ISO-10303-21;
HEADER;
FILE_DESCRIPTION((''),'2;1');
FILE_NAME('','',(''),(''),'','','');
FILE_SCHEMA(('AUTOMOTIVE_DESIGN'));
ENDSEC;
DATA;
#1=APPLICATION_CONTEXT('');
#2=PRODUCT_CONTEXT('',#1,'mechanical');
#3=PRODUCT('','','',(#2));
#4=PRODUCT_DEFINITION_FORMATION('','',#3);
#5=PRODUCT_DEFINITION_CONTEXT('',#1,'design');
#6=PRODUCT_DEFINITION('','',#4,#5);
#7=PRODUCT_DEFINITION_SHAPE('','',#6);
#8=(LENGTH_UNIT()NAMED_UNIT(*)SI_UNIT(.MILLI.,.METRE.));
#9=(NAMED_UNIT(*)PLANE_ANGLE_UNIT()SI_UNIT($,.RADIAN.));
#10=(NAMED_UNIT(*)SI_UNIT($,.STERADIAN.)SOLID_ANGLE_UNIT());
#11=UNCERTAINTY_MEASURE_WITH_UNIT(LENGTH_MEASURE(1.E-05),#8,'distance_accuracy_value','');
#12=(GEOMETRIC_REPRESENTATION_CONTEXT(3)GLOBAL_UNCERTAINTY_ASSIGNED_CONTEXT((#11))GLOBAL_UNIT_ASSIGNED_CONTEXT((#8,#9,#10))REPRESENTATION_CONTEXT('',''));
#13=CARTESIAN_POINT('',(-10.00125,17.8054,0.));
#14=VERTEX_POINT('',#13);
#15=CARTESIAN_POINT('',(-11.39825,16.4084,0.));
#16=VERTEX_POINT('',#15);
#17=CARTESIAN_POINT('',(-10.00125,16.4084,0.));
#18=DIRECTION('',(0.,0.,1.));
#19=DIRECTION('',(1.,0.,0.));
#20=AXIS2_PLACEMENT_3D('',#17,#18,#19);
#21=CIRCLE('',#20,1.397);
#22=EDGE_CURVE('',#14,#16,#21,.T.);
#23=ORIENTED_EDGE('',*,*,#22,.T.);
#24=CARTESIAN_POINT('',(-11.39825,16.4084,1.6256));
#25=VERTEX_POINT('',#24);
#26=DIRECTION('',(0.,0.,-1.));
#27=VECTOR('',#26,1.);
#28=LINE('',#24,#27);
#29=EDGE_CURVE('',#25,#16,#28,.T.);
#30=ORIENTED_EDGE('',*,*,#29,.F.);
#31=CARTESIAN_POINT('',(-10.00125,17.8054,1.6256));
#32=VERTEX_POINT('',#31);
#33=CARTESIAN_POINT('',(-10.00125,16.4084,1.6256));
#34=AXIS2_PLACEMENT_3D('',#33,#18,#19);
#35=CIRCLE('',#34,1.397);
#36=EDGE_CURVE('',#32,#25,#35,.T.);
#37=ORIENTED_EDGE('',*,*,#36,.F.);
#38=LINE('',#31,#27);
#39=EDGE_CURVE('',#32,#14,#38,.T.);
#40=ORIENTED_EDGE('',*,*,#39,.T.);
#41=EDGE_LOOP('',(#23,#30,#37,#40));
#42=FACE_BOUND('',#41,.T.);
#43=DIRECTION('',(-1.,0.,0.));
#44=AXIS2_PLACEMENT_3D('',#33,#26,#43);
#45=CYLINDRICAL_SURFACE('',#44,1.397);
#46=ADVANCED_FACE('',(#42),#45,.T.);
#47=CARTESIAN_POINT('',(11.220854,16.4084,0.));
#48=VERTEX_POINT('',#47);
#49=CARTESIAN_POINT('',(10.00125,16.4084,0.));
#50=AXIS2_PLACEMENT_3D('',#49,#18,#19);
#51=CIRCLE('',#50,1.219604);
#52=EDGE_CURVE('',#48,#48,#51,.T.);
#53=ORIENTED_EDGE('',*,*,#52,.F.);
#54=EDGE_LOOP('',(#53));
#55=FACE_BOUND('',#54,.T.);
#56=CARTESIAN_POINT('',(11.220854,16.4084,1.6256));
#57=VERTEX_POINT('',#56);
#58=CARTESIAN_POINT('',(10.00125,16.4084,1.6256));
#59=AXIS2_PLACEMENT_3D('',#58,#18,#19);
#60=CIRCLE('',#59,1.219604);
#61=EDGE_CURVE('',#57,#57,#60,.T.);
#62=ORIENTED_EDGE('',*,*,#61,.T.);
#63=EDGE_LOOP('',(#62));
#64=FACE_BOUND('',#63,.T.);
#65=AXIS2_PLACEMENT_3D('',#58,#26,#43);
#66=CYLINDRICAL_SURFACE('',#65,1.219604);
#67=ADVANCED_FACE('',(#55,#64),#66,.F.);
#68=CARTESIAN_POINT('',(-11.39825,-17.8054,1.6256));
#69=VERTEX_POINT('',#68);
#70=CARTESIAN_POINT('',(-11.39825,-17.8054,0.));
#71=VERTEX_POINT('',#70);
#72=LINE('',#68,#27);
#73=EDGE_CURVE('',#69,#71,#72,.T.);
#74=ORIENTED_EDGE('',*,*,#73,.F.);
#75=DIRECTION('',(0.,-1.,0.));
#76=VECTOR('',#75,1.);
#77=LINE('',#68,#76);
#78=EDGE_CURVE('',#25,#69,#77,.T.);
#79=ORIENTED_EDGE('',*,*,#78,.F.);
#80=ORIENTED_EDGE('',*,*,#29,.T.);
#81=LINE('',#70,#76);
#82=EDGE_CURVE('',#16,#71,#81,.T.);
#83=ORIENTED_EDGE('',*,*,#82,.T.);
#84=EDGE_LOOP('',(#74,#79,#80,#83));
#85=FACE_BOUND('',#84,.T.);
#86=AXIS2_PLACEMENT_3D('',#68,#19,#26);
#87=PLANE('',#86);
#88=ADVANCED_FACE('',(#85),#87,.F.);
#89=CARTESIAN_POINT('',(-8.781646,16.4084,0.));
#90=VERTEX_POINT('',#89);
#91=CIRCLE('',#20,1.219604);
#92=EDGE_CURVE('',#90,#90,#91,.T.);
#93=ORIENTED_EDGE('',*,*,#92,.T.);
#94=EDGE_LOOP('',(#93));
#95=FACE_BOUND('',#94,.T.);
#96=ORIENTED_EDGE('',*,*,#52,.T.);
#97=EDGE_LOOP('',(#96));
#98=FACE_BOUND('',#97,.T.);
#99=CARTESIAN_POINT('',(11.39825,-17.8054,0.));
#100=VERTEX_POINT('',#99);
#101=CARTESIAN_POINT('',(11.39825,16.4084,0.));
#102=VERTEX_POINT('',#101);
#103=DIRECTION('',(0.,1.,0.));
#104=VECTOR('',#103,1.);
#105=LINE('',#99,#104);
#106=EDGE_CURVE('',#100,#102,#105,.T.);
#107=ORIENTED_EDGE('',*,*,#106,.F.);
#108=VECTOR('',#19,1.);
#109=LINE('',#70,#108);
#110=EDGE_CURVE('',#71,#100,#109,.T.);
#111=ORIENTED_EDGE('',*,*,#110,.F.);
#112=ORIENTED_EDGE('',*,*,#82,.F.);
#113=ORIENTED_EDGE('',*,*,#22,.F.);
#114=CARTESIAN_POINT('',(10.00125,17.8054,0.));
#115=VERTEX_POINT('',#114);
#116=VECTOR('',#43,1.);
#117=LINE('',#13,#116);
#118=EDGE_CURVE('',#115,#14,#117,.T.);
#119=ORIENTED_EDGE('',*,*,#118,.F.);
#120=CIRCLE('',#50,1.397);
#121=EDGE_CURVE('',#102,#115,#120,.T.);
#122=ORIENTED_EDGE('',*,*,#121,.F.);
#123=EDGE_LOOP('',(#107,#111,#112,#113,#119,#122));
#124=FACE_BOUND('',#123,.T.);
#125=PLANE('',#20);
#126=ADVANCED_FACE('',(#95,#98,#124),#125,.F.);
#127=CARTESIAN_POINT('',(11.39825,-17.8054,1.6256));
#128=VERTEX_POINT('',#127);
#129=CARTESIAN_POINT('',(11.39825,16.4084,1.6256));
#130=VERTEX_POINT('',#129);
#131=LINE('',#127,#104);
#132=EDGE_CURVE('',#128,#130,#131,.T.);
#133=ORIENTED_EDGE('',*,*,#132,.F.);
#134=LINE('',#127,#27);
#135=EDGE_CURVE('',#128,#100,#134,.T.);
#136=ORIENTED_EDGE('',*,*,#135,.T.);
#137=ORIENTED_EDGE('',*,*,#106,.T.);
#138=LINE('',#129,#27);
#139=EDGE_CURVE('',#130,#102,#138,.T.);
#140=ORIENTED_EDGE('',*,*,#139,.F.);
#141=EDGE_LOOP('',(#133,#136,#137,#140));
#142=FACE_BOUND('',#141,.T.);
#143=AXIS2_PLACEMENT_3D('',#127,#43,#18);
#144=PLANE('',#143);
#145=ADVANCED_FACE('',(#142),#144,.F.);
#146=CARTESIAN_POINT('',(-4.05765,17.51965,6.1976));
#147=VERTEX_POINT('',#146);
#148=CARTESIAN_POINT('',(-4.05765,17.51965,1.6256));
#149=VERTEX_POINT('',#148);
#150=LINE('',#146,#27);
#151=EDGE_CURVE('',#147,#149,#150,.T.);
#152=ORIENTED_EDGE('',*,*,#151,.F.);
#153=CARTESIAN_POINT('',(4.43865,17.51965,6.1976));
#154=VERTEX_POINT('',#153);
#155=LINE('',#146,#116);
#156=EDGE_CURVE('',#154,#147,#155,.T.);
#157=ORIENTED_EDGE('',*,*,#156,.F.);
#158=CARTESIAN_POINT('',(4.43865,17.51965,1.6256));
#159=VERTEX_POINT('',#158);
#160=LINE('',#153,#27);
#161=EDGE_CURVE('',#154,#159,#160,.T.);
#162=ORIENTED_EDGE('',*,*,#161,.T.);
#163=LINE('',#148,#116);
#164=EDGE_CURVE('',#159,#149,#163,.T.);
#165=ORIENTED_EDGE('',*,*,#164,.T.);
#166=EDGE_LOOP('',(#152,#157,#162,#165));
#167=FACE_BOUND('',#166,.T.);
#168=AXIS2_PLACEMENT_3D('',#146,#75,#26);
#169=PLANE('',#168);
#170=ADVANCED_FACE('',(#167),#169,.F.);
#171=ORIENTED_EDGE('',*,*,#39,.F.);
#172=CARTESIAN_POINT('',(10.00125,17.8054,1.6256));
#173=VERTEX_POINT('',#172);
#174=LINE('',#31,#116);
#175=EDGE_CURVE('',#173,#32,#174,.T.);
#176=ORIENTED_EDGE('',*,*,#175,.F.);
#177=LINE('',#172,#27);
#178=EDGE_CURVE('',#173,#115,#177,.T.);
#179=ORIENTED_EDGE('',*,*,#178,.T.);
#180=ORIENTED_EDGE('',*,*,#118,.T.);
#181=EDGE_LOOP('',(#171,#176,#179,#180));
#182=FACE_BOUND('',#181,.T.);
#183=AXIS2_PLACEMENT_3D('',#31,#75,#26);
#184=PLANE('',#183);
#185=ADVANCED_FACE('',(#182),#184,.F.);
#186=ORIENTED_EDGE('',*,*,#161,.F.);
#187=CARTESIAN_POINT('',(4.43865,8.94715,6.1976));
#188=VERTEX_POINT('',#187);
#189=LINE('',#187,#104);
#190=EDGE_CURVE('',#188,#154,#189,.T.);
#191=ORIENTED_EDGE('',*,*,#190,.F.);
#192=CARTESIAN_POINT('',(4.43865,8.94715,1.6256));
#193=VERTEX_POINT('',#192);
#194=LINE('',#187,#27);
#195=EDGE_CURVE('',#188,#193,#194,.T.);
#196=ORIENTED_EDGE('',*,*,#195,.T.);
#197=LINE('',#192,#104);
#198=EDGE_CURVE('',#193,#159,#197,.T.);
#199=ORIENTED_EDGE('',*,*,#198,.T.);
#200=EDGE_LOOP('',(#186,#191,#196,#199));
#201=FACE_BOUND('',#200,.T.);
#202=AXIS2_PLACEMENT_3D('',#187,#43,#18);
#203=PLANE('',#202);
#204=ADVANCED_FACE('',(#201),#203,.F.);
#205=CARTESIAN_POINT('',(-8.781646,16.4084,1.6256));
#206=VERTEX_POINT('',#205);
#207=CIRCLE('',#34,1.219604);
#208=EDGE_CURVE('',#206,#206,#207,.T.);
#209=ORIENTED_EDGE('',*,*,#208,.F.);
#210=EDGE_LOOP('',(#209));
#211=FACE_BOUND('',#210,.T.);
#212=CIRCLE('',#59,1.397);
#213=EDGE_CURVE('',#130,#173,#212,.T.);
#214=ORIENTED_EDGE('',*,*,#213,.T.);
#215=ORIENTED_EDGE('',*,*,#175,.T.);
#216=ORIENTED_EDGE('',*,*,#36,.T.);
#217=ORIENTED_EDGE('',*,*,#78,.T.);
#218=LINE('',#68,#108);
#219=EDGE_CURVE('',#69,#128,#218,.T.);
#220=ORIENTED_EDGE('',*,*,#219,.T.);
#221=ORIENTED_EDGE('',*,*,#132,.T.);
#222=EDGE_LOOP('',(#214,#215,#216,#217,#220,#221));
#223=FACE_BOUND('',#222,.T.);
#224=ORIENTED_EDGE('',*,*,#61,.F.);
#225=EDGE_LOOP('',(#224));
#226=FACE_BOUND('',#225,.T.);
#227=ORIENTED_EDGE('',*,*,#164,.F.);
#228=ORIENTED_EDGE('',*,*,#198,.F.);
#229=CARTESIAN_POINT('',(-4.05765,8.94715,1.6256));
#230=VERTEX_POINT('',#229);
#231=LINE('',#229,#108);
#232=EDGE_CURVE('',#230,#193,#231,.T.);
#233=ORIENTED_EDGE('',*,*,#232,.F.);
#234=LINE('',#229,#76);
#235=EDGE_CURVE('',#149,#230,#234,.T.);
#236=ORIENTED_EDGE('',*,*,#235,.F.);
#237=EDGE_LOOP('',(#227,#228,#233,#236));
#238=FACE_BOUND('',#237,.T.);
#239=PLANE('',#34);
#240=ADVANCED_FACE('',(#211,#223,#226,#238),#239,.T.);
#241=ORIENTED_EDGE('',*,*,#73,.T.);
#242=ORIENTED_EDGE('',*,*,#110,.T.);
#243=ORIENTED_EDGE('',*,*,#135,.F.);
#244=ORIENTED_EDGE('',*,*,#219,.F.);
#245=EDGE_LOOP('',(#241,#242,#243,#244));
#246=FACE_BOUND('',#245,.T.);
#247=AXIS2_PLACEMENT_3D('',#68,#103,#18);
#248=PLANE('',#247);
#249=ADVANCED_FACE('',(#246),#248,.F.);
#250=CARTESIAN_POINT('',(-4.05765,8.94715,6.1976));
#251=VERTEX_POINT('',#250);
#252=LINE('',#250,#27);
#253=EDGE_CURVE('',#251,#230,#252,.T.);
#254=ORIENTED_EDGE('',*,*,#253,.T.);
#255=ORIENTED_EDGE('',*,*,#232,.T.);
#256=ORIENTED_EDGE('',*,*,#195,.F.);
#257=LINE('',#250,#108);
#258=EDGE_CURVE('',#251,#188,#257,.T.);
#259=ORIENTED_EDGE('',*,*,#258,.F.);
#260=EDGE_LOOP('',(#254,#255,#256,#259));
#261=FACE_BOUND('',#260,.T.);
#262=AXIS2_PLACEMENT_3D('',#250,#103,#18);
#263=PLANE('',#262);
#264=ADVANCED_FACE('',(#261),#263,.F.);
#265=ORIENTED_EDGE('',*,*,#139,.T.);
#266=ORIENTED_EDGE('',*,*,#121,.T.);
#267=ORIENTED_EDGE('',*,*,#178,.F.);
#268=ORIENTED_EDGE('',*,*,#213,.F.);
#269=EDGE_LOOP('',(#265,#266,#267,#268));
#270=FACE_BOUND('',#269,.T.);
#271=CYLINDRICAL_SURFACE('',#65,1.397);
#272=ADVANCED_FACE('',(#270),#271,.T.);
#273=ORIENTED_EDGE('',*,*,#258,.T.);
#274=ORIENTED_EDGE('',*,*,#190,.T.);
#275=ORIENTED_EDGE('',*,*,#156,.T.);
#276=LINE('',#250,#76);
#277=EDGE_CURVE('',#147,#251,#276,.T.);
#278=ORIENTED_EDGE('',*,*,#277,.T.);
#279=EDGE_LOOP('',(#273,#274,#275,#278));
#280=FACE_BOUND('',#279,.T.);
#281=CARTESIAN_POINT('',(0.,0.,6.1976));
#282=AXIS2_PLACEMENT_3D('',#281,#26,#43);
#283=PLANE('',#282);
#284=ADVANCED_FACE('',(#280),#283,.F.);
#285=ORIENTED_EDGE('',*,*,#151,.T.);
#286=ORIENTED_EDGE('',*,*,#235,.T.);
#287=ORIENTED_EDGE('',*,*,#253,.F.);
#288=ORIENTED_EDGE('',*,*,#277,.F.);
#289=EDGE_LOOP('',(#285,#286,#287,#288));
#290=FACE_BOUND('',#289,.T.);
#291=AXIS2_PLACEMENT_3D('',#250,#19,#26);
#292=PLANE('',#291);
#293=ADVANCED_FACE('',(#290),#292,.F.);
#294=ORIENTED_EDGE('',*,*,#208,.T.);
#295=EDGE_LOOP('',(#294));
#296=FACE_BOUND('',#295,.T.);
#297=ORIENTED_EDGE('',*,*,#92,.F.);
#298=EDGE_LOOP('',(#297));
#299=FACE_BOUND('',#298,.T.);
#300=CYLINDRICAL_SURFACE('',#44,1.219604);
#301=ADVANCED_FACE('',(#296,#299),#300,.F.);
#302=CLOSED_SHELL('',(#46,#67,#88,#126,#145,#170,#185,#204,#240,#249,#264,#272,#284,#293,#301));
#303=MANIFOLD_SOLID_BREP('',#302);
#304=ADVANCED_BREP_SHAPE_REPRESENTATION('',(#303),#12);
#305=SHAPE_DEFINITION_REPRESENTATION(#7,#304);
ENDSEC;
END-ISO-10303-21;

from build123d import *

# Parameters (mm, degrees)
SKETCH1_R           = 1.219603507
BOSS_EXTRUDE1_DEPTH = 1.6256
SKETCH2_W           = 8.4963
SKETCH2_H           = 8.5725
BOSS_EXTRUDE2_DEPTH = 4.572


with BuildPart() as part:
    # Sketch1 → Boss-Extrude1 (new body)
    with BuildSketch(Plane.XY):
        with BuildLine():
            Line((-11.39825, -17.8054), (11.39825, -17.8054))
            Line((11.39825, -17.8054), (11.39825, 16.4084))
            ThreePointArc((11.39825, 16.4084), (10.989078173, 17.396228173), (10.00125, 17.8054))
            Line((10.00125, 17.8054), (-10.00125, 17.8054))
            ThreePointArc((-10.00125, 17.8054), (-10.989078173, 17.396228173), (-11.39825, 16.4084))
            Line((-11.39825, 16.4084), (-11.39825, -17.8054))
        make_face()
        with Locations((-10.00125, 16.4084)):
            Circle(SKETCH1_R, mode=Mode.SUBTRACT)
        with Locations((10.00125, 16.4084)):
            Circle(SKETCH1_R, mode=Mode.SUBTRACT)
    extrude(amount=BOSS_EXTRUDE1_DEPTH)

    # Sketch2 → Boss-Extrude2 (add)
    with BuildSketch(Plane.XY.offset(1.6256)):
        with Locations((0.1905, 13.2334)):
            Rectangle(SKETCH2_W, SKETCH2_H)
    extrude(amount=BOSS_EXTRUDE2_DEPTH)


solid = part.part
